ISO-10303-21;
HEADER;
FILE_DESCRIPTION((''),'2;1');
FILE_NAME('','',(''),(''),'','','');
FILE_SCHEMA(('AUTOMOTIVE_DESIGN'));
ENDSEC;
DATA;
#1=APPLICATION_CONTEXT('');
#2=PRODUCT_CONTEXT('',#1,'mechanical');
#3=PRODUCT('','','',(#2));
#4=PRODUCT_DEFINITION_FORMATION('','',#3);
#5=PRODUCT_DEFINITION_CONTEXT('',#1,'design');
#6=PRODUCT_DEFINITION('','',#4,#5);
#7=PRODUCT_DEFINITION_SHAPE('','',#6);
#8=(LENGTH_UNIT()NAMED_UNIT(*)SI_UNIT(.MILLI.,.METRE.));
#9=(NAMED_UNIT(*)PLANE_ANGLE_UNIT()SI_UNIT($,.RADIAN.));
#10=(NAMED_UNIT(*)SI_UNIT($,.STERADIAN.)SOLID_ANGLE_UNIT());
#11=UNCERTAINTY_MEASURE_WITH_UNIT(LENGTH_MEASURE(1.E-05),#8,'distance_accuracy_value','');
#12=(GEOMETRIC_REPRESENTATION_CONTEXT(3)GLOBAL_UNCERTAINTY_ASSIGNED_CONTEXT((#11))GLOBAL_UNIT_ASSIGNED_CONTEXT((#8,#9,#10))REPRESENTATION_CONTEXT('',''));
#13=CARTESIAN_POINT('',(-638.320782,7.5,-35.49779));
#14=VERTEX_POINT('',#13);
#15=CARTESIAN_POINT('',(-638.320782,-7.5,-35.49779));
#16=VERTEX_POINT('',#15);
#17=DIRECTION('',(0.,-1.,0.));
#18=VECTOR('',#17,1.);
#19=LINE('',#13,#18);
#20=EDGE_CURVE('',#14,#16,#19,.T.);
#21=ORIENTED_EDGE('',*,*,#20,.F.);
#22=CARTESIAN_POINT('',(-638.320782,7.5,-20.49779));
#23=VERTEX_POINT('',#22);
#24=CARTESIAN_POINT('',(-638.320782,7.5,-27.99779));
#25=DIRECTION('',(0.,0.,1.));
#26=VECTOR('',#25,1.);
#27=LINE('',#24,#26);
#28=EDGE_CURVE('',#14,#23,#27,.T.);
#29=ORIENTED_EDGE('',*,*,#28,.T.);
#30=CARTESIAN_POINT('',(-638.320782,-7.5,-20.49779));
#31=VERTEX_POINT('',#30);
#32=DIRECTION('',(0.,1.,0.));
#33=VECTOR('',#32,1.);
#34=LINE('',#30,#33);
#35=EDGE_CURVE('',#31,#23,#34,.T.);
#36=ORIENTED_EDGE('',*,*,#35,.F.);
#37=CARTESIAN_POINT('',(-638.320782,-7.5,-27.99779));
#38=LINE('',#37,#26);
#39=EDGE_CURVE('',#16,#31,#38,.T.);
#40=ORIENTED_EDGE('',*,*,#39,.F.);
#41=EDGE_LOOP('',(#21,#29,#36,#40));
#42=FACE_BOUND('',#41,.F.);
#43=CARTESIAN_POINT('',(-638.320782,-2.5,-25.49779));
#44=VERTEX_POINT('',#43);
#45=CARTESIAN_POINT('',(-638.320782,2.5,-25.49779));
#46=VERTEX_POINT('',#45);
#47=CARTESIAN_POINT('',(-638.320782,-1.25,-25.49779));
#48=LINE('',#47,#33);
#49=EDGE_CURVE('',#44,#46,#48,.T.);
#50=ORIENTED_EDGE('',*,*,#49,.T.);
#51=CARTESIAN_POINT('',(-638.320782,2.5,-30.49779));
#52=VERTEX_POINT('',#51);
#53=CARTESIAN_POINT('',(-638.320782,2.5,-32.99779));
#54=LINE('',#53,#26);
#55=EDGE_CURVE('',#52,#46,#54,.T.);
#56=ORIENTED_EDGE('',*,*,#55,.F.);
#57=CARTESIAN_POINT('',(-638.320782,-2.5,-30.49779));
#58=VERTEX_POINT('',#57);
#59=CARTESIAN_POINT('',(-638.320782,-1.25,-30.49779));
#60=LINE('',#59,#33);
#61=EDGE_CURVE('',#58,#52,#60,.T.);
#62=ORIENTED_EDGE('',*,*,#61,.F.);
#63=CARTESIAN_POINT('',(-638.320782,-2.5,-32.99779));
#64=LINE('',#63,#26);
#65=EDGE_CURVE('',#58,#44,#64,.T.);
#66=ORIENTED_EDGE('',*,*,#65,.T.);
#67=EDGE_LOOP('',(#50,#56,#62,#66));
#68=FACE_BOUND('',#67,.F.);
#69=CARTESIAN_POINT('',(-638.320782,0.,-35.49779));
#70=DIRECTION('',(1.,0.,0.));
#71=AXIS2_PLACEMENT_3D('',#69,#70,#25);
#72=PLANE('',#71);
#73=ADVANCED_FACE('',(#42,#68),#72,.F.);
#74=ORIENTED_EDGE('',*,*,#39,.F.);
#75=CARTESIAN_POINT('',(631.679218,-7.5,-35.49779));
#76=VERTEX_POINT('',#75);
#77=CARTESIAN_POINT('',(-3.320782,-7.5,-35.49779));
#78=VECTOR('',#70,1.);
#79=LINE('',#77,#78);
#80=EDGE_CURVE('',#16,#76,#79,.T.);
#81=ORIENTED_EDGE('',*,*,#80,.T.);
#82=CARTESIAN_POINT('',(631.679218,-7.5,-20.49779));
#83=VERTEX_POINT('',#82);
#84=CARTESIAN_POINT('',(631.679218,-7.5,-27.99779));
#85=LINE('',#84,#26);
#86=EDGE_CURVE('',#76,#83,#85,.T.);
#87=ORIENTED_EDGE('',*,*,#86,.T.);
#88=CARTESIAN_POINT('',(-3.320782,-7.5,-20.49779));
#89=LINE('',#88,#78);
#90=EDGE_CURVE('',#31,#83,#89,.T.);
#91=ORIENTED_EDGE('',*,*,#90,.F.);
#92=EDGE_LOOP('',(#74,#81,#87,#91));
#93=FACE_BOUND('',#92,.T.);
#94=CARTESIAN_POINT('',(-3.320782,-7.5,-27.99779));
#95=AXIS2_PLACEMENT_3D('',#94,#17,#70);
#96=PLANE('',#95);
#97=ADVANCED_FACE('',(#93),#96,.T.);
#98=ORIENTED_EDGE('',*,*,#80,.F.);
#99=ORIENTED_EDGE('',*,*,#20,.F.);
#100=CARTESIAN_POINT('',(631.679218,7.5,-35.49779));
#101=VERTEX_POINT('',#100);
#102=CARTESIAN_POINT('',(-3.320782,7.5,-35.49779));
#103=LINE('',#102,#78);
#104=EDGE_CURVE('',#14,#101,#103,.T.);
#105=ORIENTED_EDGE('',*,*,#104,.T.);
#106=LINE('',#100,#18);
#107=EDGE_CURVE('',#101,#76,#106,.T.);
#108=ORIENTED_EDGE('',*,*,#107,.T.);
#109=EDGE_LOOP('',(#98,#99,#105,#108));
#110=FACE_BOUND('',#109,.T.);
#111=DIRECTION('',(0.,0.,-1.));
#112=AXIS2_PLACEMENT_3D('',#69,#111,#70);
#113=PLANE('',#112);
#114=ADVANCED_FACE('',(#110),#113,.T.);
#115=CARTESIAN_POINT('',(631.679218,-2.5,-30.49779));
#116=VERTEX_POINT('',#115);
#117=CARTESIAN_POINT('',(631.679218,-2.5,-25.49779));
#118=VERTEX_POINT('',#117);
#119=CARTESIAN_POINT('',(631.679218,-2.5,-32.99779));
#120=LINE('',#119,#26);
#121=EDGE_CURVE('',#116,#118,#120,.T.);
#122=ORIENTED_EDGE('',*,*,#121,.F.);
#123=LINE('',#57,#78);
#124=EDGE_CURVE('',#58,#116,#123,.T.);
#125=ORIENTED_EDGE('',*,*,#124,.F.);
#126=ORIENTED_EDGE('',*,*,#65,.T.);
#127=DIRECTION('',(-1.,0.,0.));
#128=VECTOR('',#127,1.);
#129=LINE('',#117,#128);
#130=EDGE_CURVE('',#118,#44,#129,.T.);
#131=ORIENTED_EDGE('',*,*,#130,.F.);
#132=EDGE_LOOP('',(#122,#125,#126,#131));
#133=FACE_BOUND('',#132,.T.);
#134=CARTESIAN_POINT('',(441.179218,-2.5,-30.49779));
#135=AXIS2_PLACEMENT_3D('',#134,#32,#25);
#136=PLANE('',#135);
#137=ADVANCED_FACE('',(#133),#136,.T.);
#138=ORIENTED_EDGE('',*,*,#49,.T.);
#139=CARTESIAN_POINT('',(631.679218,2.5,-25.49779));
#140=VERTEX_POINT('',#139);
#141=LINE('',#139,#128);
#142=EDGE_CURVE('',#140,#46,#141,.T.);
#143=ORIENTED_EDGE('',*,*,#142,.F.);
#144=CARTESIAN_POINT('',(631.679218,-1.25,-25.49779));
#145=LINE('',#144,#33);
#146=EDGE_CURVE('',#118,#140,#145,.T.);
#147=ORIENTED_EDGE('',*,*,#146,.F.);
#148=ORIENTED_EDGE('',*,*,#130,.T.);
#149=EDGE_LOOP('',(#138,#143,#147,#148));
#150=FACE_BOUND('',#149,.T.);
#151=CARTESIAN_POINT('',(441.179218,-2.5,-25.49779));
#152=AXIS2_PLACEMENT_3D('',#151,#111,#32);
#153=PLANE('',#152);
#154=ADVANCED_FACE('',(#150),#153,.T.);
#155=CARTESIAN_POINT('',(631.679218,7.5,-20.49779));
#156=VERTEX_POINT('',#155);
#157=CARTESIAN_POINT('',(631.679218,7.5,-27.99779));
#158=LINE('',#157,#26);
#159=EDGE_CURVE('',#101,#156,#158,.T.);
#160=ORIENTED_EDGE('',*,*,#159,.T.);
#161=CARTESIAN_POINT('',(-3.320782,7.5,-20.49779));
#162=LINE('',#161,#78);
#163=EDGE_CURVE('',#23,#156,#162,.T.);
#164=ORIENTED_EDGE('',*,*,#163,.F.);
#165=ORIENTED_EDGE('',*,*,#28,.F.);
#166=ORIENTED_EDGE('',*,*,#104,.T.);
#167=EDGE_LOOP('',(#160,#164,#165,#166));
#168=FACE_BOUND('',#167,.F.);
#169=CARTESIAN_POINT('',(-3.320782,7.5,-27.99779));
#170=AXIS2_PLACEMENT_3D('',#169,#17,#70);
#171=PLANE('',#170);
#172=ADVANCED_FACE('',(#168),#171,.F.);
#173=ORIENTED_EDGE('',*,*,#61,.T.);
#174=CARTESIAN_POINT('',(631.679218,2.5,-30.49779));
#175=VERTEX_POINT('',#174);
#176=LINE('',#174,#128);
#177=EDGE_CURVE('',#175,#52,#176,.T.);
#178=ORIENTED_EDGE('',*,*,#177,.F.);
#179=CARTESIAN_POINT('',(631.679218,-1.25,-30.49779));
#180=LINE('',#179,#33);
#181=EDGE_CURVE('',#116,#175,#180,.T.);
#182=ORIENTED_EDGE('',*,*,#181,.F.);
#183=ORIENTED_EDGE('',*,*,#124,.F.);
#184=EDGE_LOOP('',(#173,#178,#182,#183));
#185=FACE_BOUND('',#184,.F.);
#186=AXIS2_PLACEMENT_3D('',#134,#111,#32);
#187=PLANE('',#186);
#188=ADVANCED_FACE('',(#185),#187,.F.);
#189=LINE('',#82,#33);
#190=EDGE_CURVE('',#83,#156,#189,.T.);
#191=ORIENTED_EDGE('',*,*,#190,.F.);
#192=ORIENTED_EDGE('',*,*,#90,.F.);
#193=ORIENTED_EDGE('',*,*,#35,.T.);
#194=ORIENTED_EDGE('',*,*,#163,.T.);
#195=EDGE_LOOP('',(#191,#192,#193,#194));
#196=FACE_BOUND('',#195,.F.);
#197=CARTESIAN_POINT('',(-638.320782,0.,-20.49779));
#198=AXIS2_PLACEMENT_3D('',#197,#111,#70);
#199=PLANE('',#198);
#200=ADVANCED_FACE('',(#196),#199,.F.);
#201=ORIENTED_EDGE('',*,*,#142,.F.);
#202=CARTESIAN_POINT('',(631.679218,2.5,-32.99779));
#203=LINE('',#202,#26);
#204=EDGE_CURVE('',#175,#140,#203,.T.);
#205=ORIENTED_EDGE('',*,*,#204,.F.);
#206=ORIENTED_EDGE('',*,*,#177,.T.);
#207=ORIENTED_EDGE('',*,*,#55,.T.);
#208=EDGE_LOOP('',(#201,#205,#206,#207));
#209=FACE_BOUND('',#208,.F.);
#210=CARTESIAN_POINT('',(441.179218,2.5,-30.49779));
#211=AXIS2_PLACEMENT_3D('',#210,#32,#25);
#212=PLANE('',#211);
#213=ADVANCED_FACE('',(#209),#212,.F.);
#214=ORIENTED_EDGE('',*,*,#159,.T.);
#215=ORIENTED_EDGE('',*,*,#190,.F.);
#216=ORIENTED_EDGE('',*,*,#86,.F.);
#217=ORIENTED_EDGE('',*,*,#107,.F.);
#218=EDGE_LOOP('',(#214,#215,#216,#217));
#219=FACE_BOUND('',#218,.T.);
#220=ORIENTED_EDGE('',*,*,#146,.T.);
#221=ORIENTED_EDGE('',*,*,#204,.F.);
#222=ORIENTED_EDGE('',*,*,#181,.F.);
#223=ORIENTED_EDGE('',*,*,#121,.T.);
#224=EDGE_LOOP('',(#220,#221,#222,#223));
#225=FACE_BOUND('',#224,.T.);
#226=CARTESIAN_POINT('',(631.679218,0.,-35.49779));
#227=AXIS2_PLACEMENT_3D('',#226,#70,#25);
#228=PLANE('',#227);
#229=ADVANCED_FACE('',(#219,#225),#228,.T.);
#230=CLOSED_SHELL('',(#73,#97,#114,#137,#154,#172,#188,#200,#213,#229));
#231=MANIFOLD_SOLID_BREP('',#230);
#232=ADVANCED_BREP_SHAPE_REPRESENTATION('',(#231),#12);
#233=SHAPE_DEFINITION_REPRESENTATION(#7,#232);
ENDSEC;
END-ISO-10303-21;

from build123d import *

# Parameters (mm, degrees)
F0_W     = 1270
F0_H     = 15
F1_DEPTH = 7.5
F2_W     = 5
F2_H     = 5
F3_DEPTH = 190.5
F4_DEPTH = 1270


with BuildPart() as f1:
    # F0 (on Front) → F1 (new body, symmetric)
    with BuildSketch(Plane.XZ):
        with Locations((-3.320781514, -27.9977901512)):
            Rectangle(F0_W, F0_H)
    extrude(amount=F1_DEPTH, both=True)

    # F2 (on face) → F3 (cut, symmetric)
    with BuildSketch(Plane.YZ.offset(631.679218486)):
        with Locations((0, -27.9977901512)):
            Rectangle(F2_W, F2_H)
    extrude(amount=F3_DEPTH, both=True, mode=Mode.SUBTRACT)

    # F4 (cut): a face of the model
    f4_faces = [f1.faces().sort_by_distance(p)[0] for p in [
        (441.179218486, 0, -27.9977901512),
    ]]
    extrude(f4_faces, amount=-F4_DEPTH, mode=Mode.SUBTRACT)


solid = f1.part
